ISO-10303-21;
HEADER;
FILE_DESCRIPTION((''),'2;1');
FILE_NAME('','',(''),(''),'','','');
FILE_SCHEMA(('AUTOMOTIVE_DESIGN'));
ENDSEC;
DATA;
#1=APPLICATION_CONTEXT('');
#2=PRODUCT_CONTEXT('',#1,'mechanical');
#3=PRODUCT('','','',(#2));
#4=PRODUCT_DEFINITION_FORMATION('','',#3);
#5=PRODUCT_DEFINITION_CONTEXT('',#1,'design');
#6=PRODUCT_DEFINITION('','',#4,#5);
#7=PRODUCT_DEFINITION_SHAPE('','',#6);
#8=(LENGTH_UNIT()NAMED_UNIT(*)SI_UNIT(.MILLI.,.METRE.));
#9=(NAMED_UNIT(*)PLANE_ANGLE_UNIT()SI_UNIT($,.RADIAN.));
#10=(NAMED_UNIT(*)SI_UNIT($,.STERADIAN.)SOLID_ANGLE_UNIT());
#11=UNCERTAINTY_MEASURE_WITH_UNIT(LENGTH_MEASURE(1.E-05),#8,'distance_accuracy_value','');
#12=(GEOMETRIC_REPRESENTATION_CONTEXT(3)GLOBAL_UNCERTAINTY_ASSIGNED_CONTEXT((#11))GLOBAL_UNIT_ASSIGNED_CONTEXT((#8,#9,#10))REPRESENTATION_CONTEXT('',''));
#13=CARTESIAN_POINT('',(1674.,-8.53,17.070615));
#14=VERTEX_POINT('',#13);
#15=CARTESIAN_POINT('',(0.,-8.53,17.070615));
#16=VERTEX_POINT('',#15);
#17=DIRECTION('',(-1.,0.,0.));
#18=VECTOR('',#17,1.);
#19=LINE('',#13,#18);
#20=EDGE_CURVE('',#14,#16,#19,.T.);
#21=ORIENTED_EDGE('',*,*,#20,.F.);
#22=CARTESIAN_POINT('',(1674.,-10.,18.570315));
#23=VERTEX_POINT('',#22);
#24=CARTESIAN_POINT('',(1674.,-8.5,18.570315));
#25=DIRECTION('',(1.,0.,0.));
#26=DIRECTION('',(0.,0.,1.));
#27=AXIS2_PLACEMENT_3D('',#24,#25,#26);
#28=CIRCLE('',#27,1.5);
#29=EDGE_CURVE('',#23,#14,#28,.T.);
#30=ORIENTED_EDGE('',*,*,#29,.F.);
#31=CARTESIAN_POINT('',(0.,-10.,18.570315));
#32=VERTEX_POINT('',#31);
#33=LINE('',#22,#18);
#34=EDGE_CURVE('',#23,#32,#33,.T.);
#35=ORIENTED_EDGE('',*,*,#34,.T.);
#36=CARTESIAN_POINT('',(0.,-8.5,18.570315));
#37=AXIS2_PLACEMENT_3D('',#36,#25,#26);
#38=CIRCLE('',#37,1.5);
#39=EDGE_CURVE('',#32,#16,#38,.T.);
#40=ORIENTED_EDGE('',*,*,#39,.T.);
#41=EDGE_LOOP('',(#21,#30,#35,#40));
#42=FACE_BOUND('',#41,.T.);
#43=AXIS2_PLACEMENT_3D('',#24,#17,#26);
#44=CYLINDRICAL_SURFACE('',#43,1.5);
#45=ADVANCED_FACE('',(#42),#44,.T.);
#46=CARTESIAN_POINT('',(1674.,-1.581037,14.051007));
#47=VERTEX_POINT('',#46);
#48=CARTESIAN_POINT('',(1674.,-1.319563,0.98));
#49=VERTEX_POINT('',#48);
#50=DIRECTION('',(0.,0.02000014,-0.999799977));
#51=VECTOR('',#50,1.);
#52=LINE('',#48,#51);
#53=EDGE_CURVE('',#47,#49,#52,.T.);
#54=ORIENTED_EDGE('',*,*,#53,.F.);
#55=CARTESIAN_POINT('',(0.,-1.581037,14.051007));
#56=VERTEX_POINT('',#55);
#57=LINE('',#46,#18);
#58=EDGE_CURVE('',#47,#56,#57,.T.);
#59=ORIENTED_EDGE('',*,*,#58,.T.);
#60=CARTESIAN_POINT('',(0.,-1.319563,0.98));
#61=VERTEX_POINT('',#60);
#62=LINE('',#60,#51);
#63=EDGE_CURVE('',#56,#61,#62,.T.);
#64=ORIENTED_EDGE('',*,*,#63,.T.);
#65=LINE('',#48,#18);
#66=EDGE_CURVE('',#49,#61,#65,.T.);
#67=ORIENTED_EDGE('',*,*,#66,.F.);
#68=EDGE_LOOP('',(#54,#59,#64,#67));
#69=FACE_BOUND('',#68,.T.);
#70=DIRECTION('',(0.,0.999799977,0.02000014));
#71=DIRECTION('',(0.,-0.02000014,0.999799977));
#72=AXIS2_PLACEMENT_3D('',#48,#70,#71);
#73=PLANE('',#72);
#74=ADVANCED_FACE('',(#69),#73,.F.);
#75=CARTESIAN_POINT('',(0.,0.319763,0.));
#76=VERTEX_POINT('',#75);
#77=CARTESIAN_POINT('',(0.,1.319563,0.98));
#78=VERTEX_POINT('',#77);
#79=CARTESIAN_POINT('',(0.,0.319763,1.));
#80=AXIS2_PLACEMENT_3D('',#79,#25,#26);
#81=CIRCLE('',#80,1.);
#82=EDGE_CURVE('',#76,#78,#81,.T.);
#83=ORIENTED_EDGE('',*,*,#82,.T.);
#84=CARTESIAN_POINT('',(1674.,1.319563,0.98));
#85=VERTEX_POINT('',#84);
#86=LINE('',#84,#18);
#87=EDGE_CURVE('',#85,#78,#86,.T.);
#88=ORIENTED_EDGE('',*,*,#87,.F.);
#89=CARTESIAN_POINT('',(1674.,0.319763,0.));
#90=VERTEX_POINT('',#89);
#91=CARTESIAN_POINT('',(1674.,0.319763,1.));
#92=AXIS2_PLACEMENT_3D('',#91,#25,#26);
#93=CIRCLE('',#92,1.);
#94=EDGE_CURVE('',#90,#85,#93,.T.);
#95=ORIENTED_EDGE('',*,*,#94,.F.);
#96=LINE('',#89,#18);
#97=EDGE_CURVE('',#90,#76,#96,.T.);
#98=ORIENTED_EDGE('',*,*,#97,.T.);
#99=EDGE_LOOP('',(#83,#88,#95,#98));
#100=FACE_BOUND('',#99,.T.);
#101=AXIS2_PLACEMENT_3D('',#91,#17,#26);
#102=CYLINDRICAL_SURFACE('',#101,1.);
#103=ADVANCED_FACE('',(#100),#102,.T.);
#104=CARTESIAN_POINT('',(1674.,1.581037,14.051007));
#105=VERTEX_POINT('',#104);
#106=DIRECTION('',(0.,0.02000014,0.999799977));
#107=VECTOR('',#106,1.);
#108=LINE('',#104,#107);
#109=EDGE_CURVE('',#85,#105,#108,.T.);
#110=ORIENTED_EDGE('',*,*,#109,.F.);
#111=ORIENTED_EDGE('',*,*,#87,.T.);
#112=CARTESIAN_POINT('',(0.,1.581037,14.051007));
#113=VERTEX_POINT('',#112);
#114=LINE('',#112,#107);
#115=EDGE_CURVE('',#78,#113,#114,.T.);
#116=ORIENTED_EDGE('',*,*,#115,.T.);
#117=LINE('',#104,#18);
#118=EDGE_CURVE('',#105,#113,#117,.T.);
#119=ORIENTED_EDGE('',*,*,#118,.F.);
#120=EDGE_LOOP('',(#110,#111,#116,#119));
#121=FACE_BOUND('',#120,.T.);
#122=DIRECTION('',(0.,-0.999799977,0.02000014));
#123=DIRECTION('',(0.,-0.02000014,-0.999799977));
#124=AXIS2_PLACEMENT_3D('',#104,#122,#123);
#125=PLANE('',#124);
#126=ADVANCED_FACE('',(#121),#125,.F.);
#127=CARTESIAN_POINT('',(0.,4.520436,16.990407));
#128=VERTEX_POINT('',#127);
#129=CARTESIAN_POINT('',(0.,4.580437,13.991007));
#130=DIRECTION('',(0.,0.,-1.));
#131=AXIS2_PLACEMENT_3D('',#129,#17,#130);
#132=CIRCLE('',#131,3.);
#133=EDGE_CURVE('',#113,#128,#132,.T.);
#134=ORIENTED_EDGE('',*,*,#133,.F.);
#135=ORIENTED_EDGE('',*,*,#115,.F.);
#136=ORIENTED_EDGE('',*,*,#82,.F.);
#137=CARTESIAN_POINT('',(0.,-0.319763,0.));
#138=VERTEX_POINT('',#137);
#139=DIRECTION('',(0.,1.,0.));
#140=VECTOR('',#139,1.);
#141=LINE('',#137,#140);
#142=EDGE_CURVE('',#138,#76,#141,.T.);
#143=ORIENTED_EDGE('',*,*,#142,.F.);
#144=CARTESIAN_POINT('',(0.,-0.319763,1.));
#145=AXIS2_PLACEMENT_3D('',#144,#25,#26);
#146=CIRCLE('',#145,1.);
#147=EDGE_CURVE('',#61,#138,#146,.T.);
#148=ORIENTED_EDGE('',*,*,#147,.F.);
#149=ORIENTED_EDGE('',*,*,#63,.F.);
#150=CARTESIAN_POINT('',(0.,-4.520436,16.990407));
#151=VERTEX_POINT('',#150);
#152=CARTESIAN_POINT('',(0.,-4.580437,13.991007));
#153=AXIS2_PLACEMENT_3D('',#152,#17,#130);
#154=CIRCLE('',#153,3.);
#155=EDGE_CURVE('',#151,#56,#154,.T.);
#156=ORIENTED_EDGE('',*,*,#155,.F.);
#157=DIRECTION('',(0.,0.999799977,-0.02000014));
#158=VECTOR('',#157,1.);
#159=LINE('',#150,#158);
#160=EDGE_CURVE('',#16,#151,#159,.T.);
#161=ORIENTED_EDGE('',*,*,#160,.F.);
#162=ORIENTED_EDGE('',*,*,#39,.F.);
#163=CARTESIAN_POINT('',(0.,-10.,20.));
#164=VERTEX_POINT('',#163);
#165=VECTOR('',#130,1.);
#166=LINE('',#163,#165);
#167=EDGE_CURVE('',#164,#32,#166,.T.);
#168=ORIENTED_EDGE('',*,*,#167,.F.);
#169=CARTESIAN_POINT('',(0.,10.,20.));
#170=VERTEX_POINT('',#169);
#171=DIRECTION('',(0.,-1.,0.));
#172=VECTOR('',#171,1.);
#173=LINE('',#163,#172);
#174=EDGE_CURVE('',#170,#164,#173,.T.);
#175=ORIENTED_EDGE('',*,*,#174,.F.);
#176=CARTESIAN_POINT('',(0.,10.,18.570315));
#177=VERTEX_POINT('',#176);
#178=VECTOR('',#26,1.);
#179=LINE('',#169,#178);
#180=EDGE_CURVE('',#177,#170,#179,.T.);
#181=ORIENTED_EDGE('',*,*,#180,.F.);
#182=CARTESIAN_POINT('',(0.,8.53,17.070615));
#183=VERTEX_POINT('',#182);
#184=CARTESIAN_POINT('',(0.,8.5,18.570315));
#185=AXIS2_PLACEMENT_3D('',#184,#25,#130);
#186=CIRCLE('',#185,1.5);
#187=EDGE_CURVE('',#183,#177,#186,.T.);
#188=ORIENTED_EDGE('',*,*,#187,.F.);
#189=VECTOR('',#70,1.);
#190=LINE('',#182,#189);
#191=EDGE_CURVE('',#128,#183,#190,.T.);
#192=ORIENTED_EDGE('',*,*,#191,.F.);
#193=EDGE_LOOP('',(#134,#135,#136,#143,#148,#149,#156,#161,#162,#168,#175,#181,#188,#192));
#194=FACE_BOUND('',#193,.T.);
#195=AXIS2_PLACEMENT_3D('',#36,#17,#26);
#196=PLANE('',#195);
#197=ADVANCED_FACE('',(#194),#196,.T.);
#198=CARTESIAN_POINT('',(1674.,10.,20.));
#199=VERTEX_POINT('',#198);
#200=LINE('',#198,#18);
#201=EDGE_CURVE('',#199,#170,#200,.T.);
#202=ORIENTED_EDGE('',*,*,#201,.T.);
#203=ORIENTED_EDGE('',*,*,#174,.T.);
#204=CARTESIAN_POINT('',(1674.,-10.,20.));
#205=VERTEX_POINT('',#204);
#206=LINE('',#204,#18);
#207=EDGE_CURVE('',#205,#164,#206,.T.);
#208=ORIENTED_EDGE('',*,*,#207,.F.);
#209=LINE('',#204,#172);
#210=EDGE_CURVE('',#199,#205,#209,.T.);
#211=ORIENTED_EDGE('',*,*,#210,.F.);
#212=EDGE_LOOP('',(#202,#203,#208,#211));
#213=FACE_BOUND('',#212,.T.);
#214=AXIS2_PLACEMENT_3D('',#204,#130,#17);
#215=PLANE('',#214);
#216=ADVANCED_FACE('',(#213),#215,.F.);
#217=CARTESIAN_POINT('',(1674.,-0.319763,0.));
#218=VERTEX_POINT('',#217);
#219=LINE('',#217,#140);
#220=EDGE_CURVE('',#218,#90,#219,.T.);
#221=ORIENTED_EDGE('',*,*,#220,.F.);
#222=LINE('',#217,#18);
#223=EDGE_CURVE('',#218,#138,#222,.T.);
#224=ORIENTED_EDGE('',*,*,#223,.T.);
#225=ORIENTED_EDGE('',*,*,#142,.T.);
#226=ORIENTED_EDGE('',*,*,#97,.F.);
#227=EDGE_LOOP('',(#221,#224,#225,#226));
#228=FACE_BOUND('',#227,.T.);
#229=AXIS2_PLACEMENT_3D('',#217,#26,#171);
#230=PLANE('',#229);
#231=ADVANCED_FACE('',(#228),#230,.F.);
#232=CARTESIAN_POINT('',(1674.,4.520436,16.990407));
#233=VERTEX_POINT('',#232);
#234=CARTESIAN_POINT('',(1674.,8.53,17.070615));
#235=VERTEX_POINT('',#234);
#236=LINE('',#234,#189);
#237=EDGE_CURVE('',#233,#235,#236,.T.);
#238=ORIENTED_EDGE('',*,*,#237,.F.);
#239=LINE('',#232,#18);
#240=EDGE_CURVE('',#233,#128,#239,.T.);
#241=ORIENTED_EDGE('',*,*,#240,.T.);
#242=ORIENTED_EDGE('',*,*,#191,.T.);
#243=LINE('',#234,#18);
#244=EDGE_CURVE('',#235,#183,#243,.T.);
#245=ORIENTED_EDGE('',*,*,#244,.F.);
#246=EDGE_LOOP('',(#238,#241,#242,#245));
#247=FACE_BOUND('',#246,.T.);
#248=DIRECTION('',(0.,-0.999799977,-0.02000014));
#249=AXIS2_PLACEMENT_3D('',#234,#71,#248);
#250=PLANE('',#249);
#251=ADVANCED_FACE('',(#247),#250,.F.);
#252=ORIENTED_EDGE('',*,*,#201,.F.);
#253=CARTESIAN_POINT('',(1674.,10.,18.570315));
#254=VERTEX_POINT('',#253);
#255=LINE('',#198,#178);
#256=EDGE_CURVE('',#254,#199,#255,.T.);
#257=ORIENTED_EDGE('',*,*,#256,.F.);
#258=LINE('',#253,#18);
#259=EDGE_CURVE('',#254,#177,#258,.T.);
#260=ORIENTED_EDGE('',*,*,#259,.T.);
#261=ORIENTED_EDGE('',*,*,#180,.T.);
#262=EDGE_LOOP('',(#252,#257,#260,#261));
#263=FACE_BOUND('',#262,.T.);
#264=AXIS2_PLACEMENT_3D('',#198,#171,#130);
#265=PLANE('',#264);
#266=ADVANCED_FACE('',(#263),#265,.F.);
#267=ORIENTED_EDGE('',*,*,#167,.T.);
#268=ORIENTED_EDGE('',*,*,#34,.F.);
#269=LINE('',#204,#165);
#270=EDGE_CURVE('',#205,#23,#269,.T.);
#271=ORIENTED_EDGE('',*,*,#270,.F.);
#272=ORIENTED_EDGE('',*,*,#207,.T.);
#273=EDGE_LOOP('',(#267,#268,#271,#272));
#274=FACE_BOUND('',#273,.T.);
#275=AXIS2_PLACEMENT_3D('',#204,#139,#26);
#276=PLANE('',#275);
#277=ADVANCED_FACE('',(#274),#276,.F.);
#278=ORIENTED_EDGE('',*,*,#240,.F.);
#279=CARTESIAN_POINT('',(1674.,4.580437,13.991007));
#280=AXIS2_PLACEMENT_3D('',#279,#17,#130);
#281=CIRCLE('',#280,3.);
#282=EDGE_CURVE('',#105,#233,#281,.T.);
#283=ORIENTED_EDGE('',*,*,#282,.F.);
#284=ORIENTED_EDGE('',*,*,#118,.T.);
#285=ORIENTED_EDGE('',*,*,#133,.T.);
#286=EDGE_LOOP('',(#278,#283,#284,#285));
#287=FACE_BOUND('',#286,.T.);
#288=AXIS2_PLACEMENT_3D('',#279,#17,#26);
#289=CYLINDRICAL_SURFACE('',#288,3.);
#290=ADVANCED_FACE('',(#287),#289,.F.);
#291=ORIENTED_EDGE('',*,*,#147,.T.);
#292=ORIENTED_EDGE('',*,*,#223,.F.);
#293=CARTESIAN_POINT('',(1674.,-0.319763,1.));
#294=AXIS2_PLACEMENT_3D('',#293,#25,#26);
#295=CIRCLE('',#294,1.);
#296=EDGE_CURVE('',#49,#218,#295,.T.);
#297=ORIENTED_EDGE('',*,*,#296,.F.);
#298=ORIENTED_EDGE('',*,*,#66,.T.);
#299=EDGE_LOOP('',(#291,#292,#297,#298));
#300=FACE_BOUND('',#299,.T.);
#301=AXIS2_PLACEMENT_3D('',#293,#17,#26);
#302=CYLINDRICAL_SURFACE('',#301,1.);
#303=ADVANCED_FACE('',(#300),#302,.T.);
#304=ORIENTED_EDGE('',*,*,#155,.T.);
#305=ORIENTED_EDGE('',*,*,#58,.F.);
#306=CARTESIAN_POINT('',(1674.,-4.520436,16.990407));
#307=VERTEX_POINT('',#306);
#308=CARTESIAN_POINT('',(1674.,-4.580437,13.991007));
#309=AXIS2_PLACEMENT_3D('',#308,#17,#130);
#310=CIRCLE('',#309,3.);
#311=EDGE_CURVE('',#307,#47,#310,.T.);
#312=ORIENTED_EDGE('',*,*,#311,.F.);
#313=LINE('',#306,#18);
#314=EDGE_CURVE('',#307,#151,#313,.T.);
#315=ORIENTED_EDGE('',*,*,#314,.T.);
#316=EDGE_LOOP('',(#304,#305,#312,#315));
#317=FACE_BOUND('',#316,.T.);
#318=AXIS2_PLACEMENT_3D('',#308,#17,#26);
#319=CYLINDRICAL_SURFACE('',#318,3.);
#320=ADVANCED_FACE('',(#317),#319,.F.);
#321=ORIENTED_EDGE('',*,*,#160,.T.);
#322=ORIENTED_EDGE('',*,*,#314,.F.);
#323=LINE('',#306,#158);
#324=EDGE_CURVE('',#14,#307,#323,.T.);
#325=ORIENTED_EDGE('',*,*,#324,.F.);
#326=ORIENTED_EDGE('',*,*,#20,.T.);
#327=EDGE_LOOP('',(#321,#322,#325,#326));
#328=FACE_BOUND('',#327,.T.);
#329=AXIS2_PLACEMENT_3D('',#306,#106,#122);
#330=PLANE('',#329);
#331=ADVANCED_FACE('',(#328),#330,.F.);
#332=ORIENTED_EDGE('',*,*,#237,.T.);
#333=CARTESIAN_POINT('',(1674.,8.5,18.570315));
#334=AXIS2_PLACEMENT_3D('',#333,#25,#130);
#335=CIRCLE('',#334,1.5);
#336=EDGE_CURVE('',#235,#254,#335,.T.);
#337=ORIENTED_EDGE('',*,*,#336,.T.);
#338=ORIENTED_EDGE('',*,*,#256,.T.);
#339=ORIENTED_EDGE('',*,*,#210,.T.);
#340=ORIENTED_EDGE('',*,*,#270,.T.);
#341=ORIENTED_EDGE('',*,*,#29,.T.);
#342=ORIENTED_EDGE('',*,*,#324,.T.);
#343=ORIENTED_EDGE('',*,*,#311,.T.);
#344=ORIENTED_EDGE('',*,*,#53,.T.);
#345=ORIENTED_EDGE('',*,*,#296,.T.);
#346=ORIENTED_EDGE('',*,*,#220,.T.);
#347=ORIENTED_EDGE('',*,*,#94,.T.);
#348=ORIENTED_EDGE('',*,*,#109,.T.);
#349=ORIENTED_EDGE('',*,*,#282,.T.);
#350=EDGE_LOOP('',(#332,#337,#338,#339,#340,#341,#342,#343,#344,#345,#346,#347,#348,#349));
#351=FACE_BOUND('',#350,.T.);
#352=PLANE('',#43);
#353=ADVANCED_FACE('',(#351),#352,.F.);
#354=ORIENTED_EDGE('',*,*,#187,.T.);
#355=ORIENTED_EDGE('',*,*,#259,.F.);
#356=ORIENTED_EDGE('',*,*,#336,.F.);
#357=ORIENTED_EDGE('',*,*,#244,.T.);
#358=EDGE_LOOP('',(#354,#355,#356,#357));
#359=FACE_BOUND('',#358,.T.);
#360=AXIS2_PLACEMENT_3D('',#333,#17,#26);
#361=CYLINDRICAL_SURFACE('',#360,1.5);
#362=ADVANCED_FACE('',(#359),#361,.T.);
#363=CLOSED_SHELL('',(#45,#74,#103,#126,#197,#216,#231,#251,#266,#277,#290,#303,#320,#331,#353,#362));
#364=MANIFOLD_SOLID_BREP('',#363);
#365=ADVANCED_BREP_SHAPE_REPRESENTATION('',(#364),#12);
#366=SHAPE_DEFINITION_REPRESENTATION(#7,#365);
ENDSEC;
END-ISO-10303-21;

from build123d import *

# Parameters (mm, degrees)
T_SECTION_T_20_X_20_1_DEPTH = 1674


with BuildPart() as part:
    # Sketch12 → T section T 20 X 20(1) (new body)
    with BuildSketch(Plane.YZ):
        with BuildLine():
            Line((-10, 20), (10, 20))
            Line((10, 20), (10, 18.570314587))
            ThreePointArc((10, 18.570314587), (9.571214338, 17.520314662), (8.530000209, 17.070614622))
            Line((8.530000209, 17.070614622), (4.520436432, 16.990406743))
            ThreePointArc((4.520436432, 16.990406743), (2.459116507, 16.112327155), (1.581036919, 14.05100723))
            Line((1.581036919, 14.05100723), (1.319562646, 0.97999986))
            ThreePointArc((1.319562646, 0.97999986), (1.019762619, 0.285857108), (0.319762669, 0))
            Line((0.319762669, 0), (-0.319762669, 0))
            ThreePointArc((-0.319762669, 0), (-1.019762619, 0.285857108), (-1.319562646, 0.97999986))
            Line((-1.319562646, 0.97999986), (-1.581036919, 14.05100723))
            ThreePointArc((-1.581036919, 14.05100723), (-2.459116507, 16.112327155), (-4.520436432, 16.990406743))
            Line((-4.520436432, 16.990406743), (-8.530000209, 17.070614622))
            ThreePointArc((-8.530000209, 17.070614622), (-9.571214338, 17.520314662), (-10, 18.570314587))
            Line((-10, 18.570314587), (-10, 20))
        make_face()
    extrude(amount=T_SECTION_T_20_X_20_1_DEPTH)


solid = part.part
